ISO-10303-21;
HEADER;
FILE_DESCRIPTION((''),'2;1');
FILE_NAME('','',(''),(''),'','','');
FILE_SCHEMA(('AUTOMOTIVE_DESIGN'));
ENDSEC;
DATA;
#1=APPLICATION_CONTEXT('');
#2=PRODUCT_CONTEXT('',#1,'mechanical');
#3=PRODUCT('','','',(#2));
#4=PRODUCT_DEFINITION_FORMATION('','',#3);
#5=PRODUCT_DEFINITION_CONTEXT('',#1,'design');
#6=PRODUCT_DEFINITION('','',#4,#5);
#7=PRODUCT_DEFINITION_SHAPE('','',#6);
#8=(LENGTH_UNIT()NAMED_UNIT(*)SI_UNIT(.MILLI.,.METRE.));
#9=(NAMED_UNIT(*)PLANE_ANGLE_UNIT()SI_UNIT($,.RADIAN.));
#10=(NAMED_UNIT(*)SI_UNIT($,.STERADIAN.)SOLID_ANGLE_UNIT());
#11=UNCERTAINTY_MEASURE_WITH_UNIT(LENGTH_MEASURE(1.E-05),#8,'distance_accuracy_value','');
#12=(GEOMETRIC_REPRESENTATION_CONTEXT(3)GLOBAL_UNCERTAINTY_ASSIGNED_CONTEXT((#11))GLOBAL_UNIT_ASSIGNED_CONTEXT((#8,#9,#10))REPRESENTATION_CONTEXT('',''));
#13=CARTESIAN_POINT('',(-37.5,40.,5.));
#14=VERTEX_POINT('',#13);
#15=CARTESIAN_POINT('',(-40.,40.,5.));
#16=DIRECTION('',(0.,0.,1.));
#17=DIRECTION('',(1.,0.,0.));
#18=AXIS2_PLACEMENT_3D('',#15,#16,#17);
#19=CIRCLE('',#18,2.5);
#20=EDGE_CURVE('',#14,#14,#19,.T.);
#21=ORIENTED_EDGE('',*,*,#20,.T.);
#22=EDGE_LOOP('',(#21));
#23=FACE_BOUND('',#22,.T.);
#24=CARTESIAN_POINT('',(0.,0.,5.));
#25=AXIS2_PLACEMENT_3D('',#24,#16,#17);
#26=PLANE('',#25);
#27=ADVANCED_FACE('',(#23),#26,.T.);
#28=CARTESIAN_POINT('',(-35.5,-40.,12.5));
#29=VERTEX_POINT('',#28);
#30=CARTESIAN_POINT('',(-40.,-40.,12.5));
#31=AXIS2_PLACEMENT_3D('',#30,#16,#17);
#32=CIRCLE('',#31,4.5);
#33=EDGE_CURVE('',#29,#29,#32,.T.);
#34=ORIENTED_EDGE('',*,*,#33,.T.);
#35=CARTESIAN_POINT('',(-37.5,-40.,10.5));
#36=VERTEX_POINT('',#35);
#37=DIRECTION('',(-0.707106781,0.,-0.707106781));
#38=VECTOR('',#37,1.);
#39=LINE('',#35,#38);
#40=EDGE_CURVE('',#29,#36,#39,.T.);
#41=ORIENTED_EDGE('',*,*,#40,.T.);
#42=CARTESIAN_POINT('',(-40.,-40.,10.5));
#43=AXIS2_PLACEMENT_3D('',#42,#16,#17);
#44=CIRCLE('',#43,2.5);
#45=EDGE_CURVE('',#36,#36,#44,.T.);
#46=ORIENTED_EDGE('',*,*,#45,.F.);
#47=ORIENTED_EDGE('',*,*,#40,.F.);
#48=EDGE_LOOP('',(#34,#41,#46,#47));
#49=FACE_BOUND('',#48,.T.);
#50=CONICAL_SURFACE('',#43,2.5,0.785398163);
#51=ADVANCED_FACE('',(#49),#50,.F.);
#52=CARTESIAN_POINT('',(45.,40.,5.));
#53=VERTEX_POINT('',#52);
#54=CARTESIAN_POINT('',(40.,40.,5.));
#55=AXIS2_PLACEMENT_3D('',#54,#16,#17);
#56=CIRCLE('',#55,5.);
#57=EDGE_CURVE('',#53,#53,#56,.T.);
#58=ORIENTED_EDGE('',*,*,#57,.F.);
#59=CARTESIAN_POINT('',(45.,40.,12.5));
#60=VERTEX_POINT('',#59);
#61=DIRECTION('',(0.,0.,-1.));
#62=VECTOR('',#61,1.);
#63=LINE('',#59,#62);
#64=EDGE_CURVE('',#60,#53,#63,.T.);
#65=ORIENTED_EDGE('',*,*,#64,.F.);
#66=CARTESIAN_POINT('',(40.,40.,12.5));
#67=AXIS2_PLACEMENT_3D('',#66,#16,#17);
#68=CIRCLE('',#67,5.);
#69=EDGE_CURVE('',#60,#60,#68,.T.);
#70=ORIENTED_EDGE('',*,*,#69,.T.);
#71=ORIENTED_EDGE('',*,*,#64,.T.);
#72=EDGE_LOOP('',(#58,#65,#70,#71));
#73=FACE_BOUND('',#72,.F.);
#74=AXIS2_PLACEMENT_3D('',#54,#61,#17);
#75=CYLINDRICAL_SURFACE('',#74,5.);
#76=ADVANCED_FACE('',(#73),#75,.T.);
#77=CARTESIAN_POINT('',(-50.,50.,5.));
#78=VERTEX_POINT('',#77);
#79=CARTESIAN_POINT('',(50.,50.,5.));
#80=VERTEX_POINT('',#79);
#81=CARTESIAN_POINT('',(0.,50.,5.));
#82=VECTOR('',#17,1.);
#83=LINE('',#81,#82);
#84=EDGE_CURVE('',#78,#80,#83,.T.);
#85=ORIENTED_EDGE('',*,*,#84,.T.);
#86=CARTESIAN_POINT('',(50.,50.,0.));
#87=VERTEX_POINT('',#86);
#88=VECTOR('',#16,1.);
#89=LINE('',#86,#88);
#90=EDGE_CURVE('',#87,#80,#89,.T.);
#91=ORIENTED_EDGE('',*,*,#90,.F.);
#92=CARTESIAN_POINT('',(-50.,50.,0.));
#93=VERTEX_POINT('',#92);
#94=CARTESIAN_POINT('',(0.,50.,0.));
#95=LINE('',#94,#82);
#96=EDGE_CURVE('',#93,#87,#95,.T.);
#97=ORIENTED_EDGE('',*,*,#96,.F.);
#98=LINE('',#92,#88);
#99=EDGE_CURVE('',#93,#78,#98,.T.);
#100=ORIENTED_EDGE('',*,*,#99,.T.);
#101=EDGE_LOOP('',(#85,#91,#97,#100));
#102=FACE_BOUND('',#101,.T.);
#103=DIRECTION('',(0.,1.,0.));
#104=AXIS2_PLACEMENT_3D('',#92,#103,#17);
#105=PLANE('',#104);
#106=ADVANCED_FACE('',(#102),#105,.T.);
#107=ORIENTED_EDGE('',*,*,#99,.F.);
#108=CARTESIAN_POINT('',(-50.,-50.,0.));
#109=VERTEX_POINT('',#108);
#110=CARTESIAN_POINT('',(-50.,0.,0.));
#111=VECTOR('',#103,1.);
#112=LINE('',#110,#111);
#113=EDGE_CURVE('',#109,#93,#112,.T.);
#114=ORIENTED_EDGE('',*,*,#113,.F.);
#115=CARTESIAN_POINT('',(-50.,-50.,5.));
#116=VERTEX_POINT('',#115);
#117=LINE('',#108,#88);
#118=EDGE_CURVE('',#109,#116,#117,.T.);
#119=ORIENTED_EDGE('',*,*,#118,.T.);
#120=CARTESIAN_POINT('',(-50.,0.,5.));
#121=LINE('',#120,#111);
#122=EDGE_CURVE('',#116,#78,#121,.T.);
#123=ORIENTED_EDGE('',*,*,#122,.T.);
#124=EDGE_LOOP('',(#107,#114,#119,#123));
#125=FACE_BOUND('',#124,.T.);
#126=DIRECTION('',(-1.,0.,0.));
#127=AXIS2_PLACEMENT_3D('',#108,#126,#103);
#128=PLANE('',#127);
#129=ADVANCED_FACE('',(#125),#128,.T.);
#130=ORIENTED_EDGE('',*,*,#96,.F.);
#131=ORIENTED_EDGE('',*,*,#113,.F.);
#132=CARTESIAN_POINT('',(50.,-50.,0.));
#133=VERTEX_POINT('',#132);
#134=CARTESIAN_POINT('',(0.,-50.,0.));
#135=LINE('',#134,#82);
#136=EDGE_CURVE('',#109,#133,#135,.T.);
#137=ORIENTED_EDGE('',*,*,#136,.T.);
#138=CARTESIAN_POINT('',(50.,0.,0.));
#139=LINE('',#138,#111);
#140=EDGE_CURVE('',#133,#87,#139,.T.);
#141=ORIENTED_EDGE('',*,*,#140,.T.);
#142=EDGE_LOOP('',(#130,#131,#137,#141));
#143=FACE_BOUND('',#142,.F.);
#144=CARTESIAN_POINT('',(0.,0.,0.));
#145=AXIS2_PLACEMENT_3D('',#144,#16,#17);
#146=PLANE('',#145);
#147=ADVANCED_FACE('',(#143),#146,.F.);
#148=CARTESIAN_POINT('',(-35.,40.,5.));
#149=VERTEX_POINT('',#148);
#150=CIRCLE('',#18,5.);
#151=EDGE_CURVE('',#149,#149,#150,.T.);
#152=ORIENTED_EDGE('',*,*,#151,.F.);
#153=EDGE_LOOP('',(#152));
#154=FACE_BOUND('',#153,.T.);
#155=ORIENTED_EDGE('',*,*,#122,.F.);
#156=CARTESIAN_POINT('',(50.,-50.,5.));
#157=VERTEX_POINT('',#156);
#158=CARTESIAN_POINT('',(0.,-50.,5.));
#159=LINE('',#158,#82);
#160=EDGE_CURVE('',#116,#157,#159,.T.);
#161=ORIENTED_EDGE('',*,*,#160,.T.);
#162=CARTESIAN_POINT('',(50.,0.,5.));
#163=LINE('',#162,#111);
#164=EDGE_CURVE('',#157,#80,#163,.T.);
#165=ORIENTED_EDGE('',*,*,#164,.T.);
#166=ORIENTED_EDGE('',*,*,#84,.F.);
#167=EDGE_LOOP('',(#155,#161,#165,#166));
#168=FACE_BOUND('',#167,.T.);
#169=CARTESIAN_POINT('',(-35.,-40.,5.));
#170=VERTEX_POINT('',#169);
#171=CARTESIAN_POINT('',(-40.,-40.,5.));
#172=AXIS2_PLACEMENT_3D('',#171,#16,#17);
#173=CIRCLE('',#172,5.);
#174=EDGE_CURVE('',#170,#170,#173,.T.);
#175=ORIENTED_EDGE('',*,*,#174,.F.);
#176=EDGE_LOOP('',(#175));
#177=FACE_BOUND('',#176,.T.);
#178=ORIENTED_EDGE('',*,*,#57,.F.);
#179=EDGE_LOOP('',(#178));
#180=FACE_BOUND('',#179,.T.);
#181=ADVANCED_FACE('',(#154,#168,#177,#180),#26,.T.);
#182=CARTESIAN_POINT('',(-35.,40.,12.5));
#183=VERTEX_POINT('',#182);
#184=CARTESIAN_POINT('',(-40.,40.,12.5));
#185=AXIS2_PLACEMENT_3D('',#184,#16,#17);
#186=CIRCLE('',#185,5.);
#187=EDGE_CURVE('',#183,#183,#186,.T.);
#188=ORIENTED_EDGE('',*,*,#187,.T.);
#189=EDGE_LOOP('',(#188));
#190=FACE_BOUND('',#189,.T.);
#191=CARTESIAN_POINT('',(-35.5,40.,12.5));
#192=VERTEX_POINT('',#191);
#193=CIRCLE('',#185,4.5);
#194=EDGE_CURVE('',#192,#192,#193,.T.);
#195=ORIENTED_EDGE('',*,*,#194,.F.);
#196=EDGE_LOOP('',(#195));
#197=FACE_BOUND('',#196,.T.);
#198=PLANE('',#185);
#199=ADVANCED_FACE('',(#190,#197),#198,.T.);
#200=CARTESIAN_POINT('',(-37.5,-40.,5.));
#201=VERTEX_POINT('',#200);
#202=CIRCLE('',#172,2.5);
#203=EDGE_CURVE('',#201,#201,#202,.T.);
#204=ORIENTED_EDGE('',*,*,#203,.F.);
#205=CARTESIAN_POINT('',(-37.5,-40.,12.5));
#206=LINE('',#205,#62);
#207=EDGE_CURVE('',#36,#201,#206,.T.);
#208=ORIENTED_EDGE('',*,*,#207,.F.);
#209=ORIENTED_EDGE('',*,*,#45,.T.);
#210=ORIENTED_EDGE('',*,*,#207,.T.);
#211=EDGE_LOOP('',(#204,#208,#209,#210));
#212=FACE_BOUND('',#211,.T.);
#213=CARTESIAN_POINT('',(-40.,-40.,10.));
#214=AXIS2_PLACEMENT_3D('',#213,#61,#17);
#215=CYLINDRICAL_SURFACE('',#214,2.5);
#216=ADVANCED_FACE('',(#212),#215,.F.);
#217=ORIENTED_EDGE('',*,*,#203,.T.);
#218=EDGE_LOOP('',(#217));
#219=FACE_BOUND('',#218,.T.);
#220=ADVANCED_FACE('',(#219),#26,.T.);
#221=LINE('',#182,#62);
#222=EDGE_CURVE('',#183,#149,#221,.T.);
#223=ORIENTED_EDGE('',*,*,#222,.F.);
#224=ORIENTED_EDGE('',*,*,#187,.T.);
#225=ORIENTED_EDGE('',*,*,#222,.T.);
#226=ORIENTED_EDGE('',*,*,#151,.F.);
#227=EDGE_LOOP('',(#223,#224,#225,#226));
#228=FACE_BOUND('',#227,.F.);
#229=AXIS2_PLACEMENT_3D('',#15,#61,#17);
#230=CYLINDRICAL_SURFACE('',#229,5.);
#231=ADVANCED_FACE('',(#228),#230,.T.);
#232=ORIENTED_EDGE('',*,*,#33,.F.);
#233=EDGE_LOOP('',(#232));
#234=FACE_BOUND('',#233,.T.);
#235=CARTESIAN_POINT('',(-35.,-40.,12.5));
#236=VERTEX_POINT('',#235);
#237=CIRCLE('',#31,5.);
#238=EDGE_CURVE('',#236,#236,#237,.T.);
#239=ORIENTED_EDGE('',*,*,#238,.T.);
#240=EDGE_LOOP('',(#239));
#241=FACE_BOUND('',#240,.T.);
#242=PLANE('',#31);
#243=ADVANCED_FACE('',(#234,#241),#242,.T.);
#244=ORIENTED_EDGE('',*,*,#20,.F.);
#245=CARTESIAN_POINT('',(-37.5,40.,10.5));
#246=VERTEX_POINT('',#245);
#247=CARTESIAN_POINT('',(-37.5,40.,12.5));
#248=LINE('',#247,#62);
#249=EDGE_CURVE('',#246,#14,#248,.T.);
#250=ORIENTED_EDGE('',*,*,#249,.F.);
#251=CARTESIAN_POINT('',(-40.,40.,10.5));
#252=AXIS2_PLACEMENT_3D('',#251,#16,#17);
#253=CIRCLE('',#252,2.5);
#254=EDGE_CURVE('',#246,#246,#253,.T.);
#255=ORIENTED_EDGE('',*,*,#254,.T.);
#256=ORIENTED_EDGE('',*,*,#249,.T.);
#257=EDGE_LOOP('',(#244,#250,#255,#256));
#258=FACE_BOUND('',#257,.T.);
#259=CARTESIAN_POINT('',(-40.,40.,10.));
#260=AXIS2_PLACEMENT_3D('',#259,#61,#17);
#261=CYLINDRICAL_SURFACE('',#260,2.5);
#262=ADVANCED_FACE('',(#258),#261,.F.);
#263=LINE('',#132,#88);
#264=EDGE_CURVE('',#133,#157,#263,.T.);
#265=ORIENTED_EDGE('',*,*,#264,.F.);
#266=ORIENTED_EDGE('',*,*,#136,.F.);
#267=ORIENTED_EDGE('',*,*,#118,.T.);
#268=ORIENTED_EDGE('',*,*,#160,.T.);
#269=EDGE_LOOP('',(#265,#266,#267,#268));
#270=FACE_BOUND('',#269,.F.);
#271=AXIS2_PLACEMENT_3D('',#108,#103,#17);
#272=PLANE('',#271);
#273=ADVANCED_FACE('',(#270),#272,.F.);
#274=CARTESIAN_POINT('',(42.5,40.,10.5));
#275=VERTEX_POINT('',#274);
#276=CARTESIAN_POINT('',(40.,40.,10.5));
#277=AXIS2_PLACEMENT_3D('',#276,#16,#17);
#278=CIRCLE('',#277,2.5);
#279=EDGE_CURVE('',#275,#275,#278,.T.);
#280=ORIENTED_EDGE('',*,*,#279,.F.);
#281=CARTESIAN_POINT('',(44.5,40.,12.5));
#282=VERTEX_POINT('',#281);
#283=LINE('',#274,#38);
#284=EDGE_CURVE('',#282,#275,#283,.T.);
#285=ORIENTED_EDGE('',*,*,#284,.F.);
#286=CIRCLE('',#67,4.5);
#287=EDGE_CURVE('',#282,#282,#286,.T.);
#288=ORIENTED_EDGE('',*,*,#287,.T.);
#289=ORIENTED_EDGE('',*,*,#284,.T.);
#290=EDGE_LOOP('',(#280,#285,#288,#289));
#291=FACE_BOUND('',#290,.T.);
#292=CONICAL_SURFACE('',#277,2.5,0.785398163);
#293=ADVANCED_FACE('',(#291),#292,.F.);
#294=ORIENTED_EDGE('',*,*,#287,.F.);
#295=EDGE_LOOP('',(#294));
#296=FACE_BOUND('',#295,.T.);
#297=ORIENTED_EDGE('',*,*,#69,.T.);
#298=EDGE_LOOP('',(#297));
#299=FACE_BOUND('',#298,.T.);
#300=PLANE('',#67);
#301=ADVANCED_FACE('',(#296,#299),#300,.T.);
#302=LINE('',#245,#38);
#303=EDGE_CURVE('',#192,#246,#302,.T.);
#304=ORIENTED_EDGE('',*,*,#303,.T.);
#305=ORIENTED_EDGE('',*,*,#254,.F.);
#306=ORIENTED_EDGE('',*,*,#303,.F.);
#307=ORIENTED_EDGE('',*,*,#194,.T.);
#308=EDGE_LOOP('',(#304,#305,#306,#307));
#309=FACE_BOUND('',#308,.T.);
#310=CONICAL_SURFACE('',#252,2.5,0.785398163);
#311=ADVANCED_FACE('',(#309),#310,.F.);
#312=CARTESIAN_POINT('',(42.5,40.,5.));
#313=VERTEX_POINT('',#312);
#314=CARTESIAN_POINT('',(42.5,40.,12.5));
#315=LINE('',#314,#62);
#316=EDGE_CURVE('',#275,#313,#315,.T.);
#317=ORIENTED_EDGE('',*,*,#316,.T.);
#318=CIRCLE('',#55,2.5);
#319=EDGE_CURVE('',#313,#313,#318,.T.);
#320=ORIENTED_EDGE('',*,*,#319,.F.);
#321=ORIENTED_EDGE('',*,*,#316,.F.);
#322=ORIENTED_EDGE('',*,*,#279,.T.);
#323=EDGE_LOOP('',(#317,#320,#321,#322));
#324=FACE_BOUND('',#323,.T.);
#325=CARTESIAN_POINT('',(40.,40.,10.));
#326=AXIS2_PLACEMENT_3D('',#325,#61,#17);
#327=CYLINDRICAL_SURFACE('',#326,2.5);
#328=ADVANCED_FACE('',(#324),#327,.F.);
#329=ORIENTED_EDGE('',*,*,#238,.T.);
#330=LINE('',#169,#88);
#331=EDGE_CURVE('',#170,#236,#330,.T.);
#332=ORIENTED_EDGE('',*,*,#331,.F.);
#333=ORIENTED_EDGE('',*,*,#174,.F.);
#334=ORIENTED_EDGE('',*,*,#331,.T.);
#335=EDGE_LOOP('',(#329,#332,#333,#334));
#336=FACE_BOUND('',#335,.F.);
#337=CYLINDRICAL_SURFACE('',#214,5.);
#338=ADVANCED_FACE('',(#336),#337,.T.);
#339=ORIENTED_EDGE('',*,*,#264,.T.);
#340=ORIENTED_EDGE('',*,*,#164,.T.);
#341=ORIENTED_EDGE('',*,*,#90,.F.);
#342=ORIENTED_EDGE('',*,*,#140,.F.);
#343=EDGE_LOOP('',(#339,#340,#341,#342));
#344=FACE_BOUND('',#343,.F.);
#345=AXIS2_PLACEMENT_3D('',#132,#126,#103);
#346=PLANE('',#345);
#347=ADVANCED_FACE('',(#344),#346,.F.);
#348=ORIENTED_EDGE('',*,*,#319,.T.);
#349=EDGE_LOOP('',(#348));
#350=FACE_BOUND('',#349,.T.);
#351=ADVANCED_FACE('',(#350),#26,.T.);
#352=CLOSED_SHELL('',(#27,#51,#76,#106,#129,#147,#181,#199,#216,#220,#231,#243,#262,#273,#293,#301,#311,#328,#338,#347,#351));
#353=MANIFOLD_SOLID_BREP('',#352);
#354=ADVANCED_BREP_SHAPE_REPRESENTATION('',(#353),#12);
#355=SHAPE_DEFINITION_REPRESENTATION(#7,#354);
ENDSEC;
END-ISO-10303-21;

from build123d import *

# Parameters (mm, degrees)
F0_W     = 100
F0_H     = 100
F1_DEPTH = 5
F2_R     = 5
F2_R_2   = 2.5
F3_DEPTH = 5
F6_R     = 5
F6_R_2   = 2.5
F7_DEPTH = 2.5
F8_SIZE  = 2


with BuildPart() as f1:
    # F0 (on Top) → F1 (new body)
    with BuildSketch(Plane.XY):
        Rectangle(F0_W, F0_H)
    extrude(amount=F1_DEPTH)

    # F2 (on face) → F3 (join)
    with BuildSketch(Plane.XY.offset(5)):
        with Locations((-40, 40)):
            Circle(F2_R)
        with Locations((-40, 40)):
            Circle(F2_R_2, mode=Mode.SUBTRACT)
        with Locations((-40, -40)):
            Circle(F2_R)
        with Locations((-40, -40)):
            Circle(F2_R_2, mode=Mode.SUBTRACT)
        with Locations((40, 40)):
            Circle(F2_R)
        with Locations((40, 40)):
            Circle(F2_R_2, mode=Mode.SUBTRACT)
    extrude(amount=F3_DEPTH)

    # F6 (on face) → F7 (join)
    with BuildSketch(Plane.XY.offset(10)):
        with Locations((-40, -40)):
            Circle(F6_R)
        with Locations((-40, -40)):
            Circle(F6_R_2, mode=Mode.SUBTRACT)
        with Locations((40, 40)):
            Circle(F6_R)
        with Locations((40, 40)):
            Circle(F6_R_2, mode=Mode.SUBTRACT)
        with Locations((-40, 40)):
            Circle(F6_R)
        with Locations((-40, 40)):
            Circle(F6_R_2, mode=Mode.SUBTRACT)
    extrude(amount=F7_DEPTH)

    # F8
    f8_edges = [f1.edges().sort_by_distance(p)[0] for p in [
        (-42.5, 40, 12.5),
        (-42.5, -40, 12.5),
        (37.5, 40, 12.5),
    ]]
    chamfer(f8_edges, length=F8_SIZE)


solid = f1.part
